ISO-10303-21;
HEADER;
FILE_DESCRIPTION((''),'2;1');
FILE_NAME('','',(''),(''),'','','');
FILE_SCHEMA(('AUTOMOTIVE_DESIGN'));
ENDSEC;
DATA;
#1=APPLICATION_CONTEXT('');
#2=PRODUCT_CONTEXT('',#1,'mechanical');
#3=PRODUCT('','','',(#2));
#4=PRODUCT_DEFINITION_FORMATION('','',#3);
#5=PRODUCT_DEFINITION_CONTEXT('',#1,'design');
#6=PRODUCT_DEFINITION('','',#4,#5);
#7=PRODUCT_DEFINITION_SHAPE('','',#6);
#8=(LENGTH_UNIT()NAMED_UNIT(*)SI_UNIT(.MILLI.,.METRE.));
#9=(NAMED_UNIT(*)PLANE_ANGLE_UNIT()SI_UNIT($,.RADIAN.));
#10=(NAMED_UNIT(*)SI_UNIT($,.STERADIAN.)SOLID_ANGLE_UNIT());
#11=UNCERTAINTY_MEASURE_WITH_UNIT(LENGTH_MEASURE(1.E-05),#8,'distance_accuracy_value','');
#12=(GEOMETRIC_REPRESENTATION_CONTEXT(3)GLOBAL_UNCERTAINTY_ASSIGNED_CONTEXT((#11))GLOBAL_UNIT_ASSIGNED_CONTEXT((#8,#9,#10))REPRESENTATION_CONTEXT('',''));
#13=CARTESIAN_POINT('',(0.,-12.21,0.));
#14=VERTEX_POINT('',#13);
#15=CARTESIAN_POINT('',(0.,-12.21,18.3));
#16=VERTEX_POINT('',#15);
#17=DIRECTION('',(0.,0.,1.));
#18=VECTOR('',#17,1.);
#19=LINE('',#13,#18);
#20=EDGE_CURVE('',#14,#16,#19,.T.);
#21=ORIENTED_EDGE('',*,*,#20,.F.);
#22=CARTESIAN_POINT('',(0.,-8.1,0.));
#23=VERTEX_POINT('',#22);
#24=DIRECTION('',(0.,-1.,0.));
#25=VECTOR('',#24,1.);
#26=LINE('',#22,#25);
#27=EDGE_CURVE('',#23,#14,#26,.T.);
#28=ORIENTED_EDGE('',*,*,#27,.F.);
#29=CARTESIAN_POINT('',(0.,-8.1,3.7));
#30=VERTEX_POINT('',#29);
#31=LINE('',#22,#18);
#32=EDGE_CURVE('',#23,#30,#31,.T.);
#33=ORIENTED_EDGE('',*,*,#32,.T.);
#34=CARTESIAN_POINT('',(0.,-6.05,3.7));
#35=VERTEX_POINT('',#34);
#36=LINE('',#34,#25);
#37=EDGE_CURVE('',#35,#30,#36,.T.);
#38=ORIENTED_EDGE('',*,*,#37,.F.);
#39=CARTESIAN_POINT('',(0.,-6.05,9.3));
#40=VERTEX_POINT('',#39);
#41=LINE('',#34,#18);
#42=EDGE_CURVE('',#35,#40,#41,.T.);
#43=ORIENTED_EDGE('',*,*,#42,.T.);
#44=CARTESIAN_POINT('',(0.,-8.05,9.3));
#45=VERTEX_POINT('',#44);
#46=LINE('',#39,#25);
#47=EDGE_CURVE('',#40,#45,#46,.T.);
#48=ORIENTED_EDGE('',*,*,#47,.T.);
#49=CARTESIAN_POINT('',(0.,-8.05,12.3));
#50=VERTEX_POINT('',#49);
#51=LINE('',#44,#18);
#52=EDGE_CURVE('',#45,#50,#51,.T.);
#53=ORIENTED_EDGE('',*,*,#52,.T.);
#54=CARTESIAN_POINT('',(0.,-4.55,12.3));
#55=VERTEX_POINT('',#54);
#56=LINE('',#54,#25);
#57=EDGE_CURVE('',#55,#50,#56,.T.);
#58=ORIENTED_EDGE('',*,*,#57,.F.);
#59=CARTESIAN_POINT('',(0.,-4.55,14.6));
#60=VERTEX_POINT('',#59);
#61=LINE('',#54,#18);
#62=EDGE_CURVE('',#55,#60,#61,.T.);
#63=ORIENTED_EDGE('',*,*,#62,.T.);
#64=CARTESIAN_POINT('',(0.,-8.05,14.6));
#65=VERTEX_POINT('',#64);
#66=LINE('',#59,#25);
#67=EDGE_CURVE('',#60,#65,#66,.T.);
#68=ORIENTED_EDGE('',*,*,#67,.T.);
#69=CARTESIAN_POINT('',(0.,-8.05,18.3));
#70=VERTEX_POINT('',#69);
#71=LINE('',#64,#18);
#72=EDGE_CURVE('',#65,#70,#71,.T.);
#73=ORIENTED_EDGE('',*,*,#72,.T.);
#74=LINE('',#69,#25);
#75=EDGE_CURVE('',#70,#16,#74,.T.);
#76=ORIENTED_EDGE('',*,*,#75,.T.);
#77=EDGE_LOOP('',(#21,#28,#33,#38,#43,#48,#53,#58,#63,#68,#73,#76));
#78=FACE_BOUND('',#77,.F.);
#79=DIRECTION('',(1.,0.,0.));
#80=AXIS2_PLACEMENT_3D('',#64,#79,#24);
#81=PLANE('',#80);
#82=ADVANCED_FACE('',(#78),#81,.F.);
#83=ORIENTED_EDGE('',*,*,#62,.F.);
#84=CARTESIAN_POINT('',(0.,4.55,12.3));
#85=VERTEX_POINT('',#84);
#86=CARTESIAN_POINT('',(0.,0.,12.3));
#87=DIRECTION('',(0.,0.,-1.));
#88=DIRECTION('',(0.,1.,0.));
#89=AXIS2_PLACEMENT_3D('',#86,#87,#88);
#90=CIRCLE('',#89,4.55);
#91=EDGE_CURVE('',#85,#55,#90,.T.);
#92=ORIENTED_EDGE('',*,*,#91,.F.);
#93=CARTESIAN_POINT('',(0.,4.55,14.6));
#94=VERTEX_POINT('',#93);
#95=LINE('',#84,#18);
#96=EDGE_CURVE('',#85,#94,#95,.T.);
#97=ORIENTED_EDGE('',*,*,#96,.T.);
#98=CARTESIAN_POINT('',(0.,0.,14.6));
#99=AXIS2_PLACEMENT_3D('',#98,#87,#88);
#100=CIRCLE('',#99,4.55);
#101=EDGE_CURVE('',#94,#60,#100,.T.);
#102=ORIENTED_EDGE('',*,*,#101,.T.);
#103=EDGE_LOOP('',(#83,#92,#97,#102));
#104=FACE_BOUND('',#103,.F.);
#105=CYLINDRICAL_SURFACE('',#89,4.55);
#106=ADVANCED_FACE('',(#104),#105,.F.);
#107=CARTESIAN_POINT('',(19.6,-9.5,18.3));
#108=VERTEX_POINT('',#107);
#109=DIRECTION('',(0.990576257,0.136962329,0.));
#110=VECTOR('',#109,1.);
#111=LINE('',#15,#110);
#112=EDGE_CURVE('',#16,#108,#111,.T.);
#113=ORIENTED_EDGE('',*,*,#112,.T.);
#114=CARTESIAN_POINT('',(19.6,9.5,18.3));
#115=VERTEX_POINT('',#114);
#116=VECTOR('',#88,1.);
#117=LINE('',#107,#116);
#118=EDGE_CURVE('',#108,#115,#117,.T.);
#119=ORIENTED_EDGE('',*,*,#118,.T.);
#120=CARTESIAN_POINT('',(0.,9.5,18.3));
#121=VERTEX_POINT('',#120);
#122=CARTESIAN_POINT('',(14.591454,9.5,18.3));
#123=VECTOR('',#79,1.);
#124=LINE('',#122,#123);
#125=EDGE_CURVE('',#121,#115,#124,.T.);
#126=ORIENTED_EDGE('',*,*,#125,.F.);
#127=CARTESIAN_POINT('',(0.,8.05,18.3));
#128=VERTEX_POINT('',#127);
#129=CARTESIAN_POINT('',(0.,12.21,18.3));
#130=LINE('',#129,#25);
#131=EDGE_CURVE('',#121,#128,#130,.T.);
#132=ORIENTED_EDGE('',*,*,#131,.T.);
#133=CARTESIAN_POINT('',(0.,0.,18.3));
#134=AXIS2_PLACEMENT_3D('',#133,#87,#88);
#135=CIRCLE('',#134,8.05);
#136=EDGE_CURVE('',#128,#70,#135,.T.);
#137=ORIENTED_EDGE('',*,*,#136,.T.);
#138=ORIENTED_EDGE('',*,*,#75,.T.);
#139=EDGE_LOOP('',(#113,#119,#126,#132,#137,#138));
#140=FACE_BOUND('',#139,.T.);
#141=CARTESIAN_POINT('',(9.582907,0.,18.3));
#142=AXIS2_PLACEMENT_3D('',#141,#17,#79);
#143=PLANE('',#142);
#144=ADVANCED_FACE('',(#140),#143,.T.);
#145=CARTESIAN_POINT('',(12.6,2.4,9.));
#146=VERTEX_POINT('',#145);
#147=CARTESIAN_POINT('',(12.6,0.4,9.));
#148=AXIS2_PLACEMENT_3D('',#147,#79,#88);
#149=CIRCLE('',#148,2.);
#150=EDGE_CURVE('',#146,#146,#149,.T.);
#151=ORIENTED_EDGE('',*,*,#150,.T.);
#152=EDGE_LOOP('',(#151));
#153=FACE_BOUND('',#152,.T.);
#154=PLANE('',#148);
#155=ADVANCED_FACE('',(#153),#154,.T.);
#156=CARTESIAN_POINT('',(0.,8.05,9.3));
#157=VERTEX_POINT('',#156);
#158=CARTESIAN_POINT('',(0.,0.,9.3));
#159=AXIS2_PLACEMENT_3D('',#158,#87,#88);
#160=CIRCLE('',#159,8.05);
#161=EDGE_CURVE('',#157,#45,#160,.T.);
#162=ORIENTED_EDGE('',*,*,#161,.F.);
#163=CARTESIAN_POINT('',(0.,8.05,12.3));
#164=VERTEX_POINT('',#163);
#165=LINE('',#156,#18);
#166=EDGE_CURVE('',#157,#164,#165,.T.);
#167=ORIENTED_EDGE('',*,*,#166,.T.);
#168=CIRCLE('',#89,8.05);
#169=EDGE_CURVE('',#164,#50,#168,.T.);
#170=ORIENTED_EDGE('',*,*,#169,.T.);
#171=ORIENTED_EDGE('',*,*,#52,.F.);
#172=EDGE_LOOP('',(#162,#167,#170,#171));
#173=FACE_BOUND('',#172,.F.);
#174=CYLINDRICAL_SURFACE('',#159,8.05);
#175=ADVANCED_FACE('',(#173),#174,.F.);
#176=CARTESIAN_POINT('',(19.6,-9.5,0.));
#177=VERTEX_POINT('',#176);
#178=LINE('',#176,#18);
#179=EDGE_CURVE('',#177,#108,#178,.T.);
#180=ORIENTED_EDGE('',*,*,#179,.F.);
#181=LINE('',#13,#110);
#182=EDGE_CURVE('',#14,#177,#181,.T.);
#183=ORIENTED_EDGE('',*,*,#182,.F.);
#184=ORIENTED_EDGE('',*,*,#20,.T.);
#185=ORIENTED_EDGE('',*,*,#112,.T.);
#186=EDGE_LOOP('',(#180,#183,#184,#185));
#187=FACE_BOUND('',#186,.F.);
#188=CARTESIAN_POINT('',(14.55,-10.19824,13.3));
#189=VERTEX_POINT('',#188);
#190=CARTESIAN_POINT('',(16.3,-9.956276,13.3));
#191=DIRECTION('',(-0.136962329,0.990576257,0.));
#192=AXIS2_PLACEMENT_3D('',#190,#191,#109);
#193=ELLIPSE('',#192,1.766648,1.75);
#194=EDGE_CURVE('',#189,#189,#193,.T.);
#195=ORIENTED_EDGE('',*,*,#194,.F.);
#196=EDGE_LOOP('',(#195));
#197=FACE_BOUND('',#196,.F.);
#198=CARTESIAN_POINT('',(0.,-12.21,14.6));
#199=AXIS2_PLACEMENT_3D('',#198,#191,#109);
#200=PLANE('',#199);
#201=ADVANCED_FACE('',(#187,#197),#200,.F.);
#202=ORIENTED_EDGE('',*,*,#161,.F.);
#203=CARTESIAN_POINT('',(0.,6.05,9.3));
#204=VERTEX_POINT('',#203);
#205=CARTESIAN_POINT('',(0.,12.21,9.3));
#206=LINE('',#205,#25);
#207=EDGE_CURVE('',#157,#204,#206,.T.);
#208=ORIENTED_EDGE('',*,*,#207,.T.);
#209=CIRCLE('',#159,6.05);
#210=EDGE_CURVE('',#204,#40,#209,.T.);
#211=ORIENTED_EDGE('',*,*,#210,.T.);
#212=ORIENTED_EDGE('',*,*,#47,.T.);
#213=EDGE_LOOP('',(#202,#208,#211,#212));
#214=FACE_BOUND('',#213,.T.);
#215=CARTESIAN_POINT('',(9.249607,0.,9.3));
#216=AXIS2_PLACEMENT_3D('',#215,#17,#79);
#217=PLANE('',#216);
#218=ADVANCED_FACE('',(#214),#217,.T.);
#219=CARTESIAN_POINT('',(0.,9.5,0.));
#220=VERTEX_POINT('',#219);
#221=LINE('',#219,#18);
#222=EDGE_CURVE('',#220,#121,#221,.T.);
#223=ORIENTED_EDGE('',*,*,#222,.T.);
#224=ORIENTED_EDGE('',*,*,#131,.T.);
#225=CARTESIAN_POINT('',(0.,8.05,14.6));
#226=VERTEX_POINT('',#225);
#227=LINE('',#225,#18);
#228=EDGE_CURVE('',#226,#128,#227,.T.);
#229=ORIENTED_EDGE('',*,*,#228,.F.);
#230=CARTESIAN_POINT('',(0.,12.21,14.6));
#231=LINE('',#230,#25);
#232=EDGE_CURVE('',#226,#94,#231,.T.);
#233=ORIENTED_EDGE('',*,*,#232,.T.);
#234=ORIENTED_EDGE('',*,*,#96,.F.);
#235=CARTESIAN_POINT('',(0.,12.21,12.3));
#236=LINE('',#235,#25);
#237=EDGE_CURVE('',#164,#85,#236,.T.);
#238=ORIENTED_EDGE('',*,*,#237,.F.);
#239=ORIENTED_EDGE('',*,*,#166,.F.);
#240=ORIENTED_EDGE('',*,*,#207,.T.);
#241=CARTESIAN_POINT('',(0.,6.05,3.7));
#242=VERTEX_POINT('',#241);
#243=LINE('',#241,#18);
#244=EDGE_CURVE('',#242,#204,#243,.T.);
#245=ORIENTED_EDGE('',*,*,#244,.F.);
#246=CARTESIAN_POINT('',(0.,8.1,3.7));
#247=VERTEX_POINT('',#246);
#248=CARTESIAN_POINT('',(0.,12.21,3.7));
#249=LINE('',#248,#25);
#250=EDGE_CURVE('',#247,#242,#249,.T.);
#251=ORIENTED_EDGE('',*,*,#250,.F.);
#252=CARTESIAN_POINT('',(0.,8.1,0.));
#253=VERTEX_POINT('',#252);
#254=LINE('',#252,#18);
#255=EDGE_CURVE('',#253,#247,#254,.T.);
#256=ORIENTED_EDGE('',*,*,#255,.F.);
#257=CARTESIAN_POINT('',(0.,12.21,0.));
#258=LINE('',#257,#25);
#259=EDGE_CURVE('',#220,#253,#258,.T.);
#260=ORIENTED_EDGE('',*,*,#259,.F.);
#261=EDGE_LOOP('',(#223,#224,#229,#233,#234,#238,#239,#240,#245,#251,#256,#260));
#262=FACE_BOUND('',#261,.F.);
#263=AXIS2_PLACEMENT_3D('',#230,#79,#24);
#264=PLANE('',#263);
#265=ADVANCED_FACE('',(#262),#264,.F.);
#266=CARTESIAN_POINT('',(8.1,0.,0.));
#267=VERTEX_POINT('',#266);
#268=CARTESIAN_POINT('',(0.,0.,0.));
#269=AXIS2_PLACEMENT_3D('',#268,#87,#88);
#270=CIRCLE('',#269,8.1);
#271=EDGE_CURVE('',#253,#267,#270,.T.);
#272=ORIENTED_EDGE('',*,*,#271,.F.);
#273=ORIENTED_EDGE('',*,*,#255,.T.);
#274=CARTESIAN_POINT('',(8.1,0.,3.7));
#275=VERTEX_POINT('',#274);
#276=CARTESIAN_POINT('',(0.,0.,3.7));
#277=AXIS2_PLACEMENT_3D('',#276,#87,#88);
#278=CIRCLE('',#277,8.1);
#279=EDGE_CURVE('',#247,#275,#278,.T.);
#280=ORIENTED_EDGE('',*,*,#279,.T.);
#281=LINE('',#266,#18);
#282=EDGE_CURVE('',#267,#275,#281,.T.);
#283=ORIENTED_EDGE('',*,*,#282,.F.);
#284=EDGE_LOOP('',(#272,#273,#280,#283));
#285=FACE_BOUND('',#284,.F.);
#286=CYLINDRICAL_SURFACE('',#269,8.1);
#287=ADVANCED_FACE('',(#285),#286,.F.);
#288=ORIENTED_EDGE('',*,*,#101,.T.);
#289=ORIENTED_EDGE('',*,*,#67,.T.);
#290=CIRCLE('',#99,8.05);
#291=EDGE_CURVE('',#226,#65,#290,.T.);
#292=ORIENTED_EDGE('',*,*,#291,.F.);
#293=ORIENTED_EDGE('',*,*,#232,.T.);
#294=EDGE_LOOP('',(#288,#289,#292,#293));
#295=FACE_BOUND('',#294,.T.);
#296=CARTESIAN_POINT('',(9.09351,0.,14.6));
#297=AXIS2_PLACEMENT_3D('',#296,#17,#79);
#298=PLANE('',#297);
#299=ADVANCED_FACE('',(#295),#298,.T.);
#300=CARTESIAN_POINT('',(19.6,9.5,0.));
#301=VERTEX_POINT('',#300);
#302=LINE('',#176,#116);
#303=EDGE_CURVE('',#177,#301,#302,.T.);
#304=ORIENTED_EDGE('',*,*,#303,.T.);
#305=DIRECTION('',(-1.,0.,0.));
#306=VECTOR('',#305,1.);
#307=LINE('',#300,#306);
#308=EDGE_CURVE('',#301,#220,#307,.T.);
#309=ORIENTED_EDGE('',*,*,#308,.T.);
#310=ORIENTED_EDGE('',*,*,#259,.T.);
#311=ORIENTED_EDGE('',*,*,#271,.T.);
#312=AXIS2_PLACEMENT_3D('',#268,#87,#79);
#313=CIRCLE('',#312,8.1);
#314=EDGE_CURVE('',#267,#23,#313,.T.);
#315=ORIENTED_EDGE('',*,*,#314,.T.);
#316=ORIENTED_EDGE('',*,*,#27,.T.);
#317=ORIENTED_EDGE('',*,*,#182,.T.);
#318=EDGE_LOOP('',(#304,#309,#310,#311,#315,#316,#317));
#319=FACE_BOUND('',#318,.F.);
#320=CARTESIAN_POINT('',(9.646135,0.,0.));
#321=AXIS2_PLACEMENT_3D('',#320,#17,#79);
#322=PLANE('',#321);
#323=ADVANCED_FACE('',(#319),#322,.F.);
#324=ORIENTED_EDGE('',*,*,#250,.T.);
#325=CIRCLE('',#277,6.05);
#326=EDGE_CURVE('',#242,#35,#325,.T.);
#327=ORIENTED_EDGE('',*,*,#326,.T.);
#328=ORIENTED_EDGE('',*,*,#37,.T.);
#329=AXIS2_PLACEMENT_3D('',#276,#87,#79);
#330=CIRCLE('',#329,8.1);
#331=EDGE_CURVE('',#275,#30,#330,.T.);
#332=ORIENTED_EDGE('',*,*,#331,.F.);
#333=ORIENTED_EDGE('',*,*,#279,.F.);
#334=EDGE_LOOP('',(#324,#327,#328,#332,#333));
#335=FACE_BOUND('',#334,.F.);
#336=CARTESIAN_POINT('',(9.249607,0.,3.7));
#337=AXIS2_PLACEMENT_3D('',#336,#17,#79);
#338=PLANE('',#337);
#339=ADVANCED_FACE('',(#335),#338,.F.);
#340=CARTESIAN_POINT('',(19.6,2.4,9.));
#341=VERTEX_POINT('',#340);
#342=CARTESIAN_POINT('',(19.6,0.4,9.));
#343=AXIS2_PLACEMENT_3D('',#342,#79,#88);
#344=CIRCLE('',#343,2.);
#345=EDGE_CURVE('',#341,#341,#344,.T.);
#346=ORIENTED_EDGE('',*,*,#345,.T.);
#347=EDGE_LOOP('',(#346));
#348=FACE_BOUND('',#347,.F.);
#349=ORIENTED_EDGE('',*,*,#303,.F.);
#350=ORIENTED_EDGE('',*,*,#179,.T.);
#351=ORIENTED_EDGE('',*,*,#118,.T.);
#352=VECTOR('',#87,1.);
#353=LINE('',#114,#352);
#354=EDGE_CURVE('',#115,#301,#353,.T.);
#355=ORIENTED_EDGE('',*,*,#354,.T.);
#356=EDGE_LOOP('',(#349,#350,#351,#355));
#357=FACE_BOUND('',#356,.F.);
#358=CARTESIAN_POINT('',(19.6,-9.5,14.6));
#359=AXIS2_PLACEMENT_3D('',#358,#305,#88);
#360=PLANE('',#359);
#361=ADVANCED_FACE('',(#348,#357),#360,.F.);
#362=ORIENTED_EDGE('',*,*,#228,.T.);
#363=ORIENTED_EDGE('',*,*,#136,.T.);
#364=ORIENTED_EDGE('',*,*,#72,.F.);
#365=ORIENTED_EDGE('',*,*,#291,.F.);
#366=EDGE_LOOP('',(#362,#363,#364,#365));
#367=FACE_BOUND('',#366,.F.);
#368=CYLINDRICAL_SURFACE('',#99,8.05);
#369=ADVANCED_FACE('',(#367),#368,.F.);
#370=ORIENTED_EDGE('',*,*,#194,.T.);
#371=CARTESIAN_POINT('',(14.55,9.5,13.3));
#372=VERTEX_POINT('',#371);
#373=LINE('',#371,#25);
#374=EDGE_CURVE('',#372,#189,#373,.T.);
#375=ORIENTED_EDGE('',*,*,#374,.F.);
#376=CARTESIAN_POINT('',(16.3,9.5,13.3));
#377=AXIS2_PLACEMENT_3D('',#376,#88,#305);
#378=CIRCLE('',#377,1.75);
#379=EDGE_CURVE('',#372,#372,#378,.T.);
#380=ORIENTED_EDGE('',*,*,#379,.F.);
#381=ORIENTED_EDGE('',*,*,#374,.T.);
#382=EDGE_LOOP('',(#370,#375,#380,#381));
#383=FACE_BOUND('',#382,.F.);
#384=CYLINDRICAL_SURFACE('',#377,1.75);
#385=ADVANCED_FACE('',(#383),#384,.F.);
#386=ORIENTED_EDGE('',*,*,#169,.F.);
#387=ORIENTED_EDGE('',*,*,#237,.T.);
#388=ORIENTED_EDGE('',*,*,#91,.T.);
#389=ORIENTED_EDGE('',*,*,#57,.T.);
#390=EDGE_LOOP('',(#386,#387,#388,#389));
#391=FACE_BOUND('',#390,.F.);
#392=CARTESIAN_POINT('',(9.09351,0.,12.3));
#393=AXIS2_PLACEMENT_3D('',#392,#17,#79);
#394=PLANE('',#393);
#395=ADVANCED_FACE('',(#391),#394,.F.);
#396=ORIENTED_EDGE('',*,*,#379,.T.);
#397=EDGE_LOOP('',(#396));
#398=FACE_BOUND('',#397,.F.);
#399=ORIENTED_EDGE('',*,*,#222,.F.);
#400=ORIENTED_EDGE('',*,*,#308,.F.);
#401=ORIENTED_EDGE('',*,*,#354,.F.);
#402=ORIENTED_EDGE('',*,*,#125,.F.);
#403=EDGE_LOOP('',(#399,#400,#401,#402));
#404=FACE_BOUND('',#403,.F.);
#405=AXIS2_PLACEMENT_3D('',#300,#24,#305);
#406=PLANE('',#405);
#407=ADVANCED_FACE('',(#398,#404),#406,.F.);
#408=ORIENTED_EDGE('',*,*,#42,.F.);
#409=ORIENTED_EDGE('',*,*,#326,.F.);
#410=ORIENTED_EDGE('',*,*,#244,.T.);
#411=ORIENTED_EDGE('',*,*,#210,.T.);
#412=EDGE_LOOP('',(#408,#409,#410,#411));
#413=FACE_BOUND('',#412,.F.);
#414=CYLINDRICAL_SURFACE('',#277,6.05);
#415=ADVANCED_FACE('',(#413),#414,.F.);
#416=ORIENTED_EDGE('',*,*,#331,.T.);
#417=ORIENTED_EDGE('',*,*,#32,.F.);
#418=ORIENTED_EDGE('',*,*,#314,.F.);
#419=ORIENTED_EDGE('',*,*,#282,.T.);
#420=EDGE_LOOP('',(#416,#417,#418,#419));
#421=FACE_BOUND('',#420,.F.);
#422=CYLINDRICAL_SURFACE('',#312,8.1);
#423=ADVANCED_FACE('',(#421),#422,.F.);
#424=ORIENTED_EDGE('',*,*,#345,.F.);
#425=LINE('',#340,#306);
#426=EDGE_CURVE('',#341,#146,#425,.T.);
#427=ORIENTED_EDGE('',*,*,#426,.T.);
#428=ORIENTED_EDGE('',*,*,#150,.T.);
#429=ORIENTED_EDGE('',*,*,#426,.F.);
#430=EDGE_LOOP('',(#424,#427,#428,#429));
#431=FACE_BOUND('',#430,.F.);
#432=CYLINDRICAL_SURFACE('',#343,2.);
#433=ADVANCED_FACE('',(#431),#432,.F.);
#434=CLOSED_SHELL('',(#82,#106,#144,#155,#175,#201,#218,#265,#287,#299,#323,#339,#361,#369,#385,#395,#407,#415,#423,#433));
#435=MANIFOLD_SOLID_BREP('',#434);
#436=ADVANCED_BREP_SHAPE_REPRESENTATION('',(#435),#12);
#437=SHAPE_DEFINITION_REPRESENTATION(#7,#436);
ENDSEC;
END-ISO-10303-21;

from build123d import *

# Parameters (mm, degrees)
F1_DEPTH       = 3.7
F3_DEPTH       = 5.6
F5_DEPTH       = 3
F7_DEPTH       = 2.3
F9_DEPTH       = 3.7
F11_DEPTH      = 25
F11_DEPTH_BACK = 25
F12_R          = 2
F13_DEPTH      = 7
F14_R          = 1.75
F15_DEPTH      = 25


with BuildPart() as f1:
    # F0 (on Top) → F1 (new body)
    with BuildSketch(Plane.XY):
        with BuildLine():
            Line((19.6, 9.5), (0, 12.21))
            Line((0, 12.21), (0, 8.1))
            ThreePointArc((0, 8.1), (5.7275649276, 5.7275649276), (8.1, 0))
            ThreePointArc((8.1, 0), (5.7275649276, -5.7275649276), (0, -8.1))
            Line((0, -8.1), (0, -12.21))
            Line((0, -12.21), (19.6, -9.5))
            Line((19.6, -9.5), (19.6, 0))
            Line((19.6, 0), (19.6, 9.5))
        make_face()
    extrude(amount=F1_DEPTH)

    # F2 (on face) → F3 (join)
    with BuildSketch(Plane.XY.offset(3.7)):
        with BuildLine():
            ThreePointArc((0, 6.05), (6.05, 0), (0, -6.05))
            Line((0, -6.05), (0, -8.1))
            Line((0, -8.1), (0, -12.21))
            Line((0, -12.21), (19.6, -9.5))
            Line((19.6, -9.5), (19.6, 9.5))
            Line((19.6, 9.5), (0, 12.21))
            Line((0, 12.21), (0, 8.1))
            Line((0, 8.1), (0, 6.05))
        make_face()
    extrude(amount=F3_DEPTH)

    # F4 (on face) → F5 (join)
    with BuildSketch(Plane.XY.offset(9.3)):
        with BuildLine():
            ThreePointArc((0, 8.05), (8.05, 0), (0, -8.05))
            Line((0, -8.05), (0, -12.21))
            Line((0, -12.21), (19.6, -9.5))
            Line((19.6, -9.5), (19.6, 9.5))
            Line((19.6, 9.5), (0, 12.21))
            Line((0, 12.21), (0, 8.05))
        make_face()
    extrude(amount=F5_DEPTH)

    # F6 (on face) → F7 (join)
    with BuildSketch(Plane.XY.offset(12.3)):
        with BuildLine():
            ThreePointArc((0, 4.55), (4.55, 0), (0, -4.55))
            Line((0, -4.55), (0, -12.21))
            Line((0, -12.21), (19.6, -9.5))
            Line((19.6, -9.5), (19.6, 9.5))
            Line((19.6, 9.5), (0, 12.21))
            Line((0, 12.21), (0, 4.55))
        make_face()
    extrude(amount=F7_DEPTH)

    # F8 (on face) → F9 (join)
    with BuildSketch(Plane.XY.offset(14.6)):
        with BuildLine():
            ThreePointArc((0, 8.05), (8.05, 0), (0, -8.05))
            Line((0, -8.05), (0, -12.21))
            Line((0, -12.21), (19.6, -9.5))
            Line((19.6, -9.5), (19.6, 9.5))
            Line((19.6, 9.5), (0, 12.21))
            Line((0, 12.21), (0, 8.05))
        make_face()
    extrude(amount=F9_DEPTH)

    # F10 (on face) → F11 (cut, two sides)
    with BuildSketch(Plane(origin=(0, 0, 0), x_dir=(1, 0, 0), z_dir=(0, 0, -1))) as f11_sk:
        Polygon((0, -12.21), (19.6, -9.5), (0, -9.5), align=None)
    extrude(amount=-F11_DEPTH, mode=Mode.SUBTRACT)
    extrude(f11_sk.sketch, amount=F11_DEPTH_BACK, mode=Mode.SUBTRACT)

    # F12 (on face) → F13 (cut)
    with BuildSketch(Plane.YZ.offset(19.6)):
        with Locations((0.4, 9)):
            Circle(F12_R)
    extrude(amount=-F13_DEPTH, mode=Mode.SUBTRACT)

    # F14 (on face) → F15 (cut)
    with BuildSketch(Plane(origin=(0, 9.5, 0), x_dir=(-1, 0, 0), z_dir=(0, 1, 0))):
        with Locations((-16.3, 13.3)):
            Circle(F14_R)
    extrude(amount=-F15_DEPTH, mode=Mode.SUBTRACT)


solid = f1.part
